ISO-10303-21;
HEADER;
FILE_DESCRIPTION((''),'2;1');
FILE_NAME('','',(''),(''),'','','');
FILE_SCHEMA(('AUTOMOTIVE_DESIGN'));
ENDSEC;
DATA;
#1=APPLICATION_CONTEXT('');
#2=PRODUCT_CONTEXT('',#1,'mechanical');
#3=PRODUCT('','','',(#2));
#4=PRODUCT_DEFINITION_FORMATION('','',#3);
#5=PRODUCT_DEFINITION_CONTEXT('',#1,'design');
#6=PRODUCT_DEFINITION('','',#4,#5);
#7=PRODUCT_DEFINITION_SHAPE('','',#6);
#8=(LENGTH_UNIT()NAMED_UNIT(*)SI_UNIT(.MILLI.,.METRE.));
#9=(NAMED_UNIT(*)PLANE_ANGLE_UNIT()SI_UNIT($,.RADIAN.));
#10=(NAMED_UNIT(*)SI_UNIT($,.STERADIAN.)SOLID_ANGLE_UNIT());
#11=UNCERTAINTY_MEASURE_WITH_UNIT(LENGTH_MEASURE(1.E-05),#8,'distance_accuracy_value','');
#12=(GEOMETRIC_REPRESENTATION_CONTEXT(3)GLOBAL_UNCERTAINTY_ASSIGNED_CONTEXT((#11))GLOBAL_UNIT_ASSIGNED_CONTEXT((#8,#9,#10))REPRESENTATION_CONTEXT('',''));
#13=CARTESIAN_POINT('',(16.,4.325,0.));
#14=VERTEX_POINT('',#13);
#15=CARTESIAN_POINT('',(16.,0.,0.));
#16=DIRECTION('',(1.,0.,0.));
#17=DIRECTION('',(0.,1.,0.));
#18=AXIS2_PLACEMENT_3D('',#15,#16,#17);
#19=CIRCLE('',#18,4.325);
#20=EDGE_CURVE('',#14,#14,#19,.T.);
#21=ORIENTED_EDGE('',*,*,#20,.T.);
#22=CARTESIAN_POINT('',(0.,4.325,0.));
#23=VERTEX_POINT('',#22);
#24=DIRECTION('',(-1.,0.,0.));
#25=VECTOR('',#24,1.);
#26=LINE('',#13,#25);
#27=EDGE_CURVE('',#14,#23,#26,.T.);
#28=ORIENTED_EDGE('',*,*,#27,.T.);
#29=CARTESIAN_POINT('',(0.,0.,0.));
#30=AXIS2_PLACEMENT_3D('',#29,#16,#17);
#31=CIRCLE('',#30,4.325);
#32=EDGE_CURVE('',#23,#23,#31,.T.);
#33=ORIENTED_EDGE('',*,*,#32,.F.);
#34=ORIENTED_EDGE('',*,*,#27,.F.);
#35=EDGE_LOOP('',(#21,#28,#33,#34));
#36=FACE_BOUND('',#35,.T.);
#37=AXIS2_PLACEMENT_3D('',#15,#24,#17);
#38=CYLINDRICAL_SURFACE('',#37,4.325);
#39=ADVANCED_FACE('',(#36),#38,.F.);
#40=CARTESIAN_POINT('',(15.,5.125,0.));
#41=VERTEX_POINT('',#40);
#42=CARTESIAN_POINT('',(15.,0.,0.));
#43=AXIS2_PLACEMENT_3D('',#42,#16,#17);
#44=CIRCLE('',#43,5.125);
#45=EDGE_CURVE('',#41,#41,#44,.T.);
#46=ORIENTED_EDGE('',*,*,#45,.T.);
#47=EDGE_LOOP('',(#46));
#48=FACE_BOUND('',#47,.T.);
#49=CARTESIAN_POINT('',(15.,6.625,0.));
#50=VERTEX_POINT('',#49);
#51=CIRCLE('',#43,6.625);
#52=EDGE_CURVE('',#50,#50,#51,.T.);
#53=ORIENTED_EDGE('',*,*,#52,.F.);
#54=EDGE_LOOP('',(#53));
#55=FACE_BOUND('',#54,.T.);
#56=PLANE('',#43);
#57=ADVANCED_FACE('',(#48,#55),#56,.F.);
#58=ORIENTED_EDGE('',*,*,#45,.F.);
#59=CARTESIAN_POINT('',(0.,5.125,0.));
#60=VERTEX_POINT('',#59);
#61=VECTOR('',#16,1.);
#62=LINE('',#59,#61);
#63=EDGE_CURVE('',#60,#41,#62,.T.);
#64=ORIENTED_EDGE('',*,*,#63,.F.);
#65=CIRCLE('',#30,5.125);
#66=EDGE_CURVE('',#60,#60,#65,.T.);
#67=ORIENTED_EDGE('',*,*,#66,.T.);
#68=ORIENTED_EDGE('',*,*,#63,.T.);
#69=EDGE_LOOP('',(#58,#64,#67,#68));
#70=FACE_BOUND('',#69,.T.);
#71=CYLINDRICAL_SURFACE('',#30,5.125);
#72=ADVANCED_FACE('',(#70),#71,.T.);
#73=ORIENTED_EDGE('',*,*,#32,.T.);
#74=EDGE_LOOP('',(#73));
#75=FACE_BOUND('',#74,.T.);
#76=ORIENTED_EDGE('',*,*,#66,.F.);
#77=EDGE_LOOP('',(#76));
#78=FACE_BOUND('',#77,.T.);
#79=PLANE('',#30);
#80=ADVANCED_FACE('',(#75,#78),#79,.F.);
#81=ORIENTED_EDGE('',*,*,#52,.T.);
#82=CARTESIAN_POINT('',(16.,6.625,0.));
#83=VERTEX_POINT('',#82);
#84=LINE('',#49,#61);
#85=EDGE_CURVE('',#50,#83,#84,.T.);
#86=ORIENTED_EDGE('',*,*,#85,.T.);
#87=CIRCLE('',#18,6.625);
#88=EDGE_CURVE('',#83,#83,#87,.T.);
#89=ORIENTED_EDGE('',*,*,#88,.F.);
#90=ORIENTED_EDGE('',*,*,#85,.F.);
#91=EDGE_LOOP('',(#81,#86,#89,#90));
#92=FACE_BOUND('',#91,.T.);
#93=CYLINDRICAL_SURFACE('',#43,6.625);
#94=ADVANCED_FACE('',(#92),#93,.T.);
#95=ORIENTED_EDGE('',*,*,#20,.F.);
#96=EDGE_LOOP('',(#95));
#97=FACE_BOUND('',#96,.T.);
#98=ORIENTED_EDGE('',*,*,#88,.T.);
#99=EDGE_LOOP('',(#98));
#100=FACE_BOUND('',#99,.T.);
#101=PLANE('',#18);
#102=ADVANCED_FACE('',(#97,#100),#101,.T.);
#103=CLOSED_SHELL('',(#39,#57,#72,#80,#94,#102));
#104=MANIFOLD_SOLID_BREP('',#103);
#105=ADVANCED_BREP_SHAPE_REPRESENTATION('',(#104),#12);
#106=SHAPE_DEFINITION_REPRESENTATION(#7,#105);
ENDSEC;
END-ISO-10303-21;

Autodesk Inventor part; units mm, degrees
ref_plane "YZ Plane" through (0, 0, 0) normal (1, 0, 0) x (0, 1, 0)
ref_plane "XZ Plane" through (0, 0, 0) normal (0, 1, 0) x (-1, 0, 0)
ref_plane "XY Plane" through (0, 0, 0) normal (0, 0, 1) x (1, 0, 0)
sketch "Sketch1" plane through (0, 0, 0) normal (0, 0, 1) x (1, 0, 0)
  line L0 (0, 5.125) -> (15, 5.125)
  line L1 (15, 5.125) -> (15, 6.625)
  line L2 (15, 6.625) -> (0, 6.625)
  line L3 (0, 6.625) -> (0, 5.125)
  line L4 (0, 5.125) -> (15, 5.125)
  line L5 (15, 5.125) -> (15, 6.625)
  line L6 (15, 6.625) -> (16, 6.625)
  line L7 (16, 6.625) -> (16, 4.325)
  line L8 (16, 4.325) -> (0, 4.325)
  line L9 (0, 4.325) -> (0, 5.125)
  line L10 (-3.2, 0) -> (19.2, 0) projected
  point P0 (0, 0)
  dimension "d0" = 1.5
  dimension "d1" = 15
  dimension "d2" = 6.625
  dimension "d3" = 0.8
  dimension "d4" = 1
revolve "Revolution1" add sketch "Sketch1" angle 360 about axis through (-10, 0, 0) along (1, 0, 0) contours L0 L1 L6 L7 L8 L9
properties part number "Sunroof Drain Tube Insert"
